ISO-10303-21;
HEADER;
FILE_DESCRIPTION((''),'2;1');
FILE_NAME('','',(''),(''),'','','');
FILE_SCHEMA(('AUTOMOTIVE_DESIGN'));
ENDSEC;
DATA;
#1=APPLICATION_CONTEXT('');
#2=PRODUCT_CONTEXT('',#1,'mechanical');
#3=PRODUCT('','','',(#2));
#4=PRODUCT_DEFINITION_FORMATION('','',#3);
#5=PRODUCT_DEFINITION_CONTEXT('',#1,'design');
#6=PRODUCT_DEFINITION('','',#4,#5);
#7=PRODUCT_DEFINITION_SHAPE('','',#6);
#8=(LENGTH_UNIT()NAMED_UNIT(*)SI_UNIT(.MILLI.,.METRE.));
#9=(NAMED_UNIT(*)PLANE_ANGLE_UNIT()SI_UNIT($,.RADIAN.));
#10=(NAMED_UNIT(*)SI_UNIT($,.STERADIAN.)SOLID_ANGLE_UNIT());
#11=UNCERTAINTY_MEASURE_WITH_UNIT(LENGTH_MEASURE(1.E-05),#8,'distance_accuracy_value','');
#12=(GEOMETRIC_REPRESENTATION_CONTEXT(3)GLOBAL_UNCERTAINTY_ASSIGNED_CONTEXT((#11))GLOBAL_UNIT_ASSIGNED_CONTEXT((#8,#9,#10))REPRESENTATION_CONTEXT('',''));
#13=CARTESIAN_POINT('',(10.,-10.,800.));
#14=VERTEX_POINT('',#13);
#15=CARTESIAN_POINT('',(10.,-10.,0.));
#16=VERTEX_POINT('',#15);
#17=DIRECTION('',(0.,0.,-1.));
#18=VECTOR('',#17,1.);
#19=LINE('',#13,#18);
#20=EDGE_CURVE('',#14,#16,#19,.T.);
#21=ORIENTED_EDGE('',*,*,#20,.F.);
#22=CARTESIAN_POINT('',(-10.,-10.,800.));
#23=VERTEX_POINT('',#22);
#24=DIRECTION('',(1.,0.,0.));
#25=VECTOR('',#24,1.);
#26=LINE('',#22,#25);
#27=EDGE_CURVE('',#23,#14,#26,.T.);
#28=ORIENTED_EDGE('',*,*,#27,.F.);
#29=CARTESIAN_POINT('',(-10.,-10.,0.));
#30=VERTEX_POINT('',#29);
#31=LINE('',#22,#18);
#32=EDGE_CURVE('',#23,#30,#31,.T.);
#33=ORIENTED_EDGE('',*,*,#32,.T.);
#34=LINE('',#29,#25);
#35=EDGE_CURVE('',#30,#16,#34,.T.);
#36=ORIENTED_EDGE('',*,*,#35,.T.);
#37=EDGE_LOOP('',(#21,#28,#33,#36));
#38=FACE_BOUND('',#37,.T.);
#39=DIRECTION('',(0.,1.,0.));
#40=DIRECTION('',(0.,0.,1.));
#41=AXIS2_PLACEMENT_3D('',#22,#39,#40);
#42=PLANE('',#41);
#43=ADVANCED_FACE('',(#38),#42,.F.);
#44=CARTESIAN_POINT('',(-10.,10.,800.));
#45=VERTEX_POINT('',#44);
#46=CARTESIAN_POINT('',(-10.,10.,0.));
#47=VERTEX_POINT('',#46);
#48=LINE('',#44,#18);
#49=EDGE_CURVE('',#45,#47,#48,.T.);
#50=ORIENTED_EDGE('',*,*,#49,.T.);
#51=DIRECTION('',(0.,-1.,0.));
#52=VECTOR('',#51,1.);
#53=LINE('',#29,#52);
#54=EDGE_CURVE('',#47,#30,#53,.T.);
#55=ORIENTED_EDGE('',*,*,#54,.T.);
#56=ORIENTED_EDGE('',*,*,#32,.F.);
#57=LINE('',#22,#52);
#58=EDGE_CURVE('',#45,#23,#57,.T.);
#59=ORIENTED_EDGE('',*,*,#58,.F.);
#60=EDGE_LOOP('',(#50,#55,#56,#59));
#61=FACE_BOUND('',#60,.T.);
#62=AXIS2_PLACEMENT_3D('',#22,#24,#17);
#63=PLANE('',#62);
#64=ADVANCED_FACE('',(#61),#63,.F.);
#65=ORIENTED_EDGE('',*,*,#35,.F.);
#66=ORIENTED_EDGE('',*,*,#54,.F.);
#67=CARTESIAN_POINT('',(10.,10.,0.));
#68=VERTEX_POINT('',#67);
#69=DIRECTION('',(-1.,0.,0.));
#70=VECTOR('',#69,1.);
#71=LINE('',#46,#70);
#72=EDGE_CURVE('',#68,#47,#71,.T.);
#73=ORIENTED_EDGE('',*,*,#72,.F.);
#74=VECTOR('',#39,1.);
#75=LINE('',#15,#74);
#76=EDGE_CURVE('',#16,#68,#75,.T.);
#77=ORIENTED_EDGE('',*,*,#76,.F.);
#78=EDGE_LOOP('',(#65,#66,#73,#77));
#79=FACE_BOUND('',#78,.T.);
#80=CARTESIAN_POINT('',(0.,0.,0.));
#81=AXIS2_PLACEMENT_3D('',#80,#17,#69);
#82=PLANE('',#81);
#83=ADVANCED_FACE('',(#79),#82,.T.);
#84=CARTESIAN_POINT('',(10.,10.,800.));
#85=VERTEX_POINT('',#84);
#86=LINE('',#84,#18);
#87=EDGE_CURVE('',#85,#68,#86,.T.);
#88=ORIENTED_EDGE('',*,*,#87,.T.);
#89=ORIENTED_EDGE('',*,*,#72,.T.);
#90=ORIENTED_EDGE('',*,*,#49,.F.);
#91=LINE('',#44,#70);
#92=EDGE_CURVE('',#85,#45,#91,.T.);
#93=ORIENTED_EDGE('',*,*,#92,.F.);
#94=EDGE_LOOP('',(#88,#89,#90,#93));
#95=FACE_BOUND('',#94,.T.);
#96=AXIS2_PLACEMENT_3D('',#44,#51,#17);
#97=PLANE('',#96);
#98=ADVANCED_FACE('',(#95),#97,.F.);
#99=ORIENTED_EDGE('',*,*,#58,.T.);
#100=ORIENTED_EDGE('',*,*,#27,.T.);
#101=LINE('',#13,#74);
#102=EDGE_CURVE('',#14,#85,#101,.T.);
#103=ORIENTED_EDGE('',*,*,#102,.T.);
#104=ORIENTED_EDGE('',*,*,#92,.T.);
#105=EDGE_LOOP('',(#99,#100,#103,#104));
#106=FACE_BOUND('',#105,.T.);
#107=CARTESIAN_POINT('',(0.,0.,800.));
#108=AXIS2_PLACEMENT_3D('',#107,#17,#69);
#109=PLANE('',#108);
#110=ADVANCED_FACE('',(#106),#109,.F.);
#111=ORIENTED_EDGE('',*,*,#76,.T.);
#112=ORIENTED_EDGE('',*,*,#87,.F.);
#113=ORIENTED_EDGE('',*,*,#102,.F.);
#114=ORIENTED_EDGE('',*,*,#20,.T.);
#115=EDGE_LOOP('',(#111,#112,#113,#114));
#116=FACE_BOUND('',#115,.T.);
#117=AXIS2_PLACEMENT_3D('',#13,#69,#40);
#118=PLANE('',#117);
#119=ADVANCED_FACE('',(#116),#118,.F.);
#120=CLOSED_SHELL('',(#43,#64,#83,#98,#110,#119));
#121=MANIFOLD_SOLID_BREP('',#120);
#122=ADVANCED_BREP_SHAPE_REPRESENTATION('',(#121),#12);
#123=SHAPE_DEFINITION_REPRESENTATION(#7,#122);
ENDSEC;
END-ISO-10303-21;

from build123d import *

# Parameters (mm, degrees)
SKETCH_1_W      = 20
SKETCH_1_H      = 20
EXTRUDE_1_DEPTH = 800


with BuildPart() as part:
    # 草图1 → 凸台-拉伸1 (new body)
    with BuildSketch(Plane.XY):
        Rectangle(SKETCH_1_W, SKETCH_1_H)
    extrude(amount=EXTRUDE_1_DEPTH)


solid = part.part
